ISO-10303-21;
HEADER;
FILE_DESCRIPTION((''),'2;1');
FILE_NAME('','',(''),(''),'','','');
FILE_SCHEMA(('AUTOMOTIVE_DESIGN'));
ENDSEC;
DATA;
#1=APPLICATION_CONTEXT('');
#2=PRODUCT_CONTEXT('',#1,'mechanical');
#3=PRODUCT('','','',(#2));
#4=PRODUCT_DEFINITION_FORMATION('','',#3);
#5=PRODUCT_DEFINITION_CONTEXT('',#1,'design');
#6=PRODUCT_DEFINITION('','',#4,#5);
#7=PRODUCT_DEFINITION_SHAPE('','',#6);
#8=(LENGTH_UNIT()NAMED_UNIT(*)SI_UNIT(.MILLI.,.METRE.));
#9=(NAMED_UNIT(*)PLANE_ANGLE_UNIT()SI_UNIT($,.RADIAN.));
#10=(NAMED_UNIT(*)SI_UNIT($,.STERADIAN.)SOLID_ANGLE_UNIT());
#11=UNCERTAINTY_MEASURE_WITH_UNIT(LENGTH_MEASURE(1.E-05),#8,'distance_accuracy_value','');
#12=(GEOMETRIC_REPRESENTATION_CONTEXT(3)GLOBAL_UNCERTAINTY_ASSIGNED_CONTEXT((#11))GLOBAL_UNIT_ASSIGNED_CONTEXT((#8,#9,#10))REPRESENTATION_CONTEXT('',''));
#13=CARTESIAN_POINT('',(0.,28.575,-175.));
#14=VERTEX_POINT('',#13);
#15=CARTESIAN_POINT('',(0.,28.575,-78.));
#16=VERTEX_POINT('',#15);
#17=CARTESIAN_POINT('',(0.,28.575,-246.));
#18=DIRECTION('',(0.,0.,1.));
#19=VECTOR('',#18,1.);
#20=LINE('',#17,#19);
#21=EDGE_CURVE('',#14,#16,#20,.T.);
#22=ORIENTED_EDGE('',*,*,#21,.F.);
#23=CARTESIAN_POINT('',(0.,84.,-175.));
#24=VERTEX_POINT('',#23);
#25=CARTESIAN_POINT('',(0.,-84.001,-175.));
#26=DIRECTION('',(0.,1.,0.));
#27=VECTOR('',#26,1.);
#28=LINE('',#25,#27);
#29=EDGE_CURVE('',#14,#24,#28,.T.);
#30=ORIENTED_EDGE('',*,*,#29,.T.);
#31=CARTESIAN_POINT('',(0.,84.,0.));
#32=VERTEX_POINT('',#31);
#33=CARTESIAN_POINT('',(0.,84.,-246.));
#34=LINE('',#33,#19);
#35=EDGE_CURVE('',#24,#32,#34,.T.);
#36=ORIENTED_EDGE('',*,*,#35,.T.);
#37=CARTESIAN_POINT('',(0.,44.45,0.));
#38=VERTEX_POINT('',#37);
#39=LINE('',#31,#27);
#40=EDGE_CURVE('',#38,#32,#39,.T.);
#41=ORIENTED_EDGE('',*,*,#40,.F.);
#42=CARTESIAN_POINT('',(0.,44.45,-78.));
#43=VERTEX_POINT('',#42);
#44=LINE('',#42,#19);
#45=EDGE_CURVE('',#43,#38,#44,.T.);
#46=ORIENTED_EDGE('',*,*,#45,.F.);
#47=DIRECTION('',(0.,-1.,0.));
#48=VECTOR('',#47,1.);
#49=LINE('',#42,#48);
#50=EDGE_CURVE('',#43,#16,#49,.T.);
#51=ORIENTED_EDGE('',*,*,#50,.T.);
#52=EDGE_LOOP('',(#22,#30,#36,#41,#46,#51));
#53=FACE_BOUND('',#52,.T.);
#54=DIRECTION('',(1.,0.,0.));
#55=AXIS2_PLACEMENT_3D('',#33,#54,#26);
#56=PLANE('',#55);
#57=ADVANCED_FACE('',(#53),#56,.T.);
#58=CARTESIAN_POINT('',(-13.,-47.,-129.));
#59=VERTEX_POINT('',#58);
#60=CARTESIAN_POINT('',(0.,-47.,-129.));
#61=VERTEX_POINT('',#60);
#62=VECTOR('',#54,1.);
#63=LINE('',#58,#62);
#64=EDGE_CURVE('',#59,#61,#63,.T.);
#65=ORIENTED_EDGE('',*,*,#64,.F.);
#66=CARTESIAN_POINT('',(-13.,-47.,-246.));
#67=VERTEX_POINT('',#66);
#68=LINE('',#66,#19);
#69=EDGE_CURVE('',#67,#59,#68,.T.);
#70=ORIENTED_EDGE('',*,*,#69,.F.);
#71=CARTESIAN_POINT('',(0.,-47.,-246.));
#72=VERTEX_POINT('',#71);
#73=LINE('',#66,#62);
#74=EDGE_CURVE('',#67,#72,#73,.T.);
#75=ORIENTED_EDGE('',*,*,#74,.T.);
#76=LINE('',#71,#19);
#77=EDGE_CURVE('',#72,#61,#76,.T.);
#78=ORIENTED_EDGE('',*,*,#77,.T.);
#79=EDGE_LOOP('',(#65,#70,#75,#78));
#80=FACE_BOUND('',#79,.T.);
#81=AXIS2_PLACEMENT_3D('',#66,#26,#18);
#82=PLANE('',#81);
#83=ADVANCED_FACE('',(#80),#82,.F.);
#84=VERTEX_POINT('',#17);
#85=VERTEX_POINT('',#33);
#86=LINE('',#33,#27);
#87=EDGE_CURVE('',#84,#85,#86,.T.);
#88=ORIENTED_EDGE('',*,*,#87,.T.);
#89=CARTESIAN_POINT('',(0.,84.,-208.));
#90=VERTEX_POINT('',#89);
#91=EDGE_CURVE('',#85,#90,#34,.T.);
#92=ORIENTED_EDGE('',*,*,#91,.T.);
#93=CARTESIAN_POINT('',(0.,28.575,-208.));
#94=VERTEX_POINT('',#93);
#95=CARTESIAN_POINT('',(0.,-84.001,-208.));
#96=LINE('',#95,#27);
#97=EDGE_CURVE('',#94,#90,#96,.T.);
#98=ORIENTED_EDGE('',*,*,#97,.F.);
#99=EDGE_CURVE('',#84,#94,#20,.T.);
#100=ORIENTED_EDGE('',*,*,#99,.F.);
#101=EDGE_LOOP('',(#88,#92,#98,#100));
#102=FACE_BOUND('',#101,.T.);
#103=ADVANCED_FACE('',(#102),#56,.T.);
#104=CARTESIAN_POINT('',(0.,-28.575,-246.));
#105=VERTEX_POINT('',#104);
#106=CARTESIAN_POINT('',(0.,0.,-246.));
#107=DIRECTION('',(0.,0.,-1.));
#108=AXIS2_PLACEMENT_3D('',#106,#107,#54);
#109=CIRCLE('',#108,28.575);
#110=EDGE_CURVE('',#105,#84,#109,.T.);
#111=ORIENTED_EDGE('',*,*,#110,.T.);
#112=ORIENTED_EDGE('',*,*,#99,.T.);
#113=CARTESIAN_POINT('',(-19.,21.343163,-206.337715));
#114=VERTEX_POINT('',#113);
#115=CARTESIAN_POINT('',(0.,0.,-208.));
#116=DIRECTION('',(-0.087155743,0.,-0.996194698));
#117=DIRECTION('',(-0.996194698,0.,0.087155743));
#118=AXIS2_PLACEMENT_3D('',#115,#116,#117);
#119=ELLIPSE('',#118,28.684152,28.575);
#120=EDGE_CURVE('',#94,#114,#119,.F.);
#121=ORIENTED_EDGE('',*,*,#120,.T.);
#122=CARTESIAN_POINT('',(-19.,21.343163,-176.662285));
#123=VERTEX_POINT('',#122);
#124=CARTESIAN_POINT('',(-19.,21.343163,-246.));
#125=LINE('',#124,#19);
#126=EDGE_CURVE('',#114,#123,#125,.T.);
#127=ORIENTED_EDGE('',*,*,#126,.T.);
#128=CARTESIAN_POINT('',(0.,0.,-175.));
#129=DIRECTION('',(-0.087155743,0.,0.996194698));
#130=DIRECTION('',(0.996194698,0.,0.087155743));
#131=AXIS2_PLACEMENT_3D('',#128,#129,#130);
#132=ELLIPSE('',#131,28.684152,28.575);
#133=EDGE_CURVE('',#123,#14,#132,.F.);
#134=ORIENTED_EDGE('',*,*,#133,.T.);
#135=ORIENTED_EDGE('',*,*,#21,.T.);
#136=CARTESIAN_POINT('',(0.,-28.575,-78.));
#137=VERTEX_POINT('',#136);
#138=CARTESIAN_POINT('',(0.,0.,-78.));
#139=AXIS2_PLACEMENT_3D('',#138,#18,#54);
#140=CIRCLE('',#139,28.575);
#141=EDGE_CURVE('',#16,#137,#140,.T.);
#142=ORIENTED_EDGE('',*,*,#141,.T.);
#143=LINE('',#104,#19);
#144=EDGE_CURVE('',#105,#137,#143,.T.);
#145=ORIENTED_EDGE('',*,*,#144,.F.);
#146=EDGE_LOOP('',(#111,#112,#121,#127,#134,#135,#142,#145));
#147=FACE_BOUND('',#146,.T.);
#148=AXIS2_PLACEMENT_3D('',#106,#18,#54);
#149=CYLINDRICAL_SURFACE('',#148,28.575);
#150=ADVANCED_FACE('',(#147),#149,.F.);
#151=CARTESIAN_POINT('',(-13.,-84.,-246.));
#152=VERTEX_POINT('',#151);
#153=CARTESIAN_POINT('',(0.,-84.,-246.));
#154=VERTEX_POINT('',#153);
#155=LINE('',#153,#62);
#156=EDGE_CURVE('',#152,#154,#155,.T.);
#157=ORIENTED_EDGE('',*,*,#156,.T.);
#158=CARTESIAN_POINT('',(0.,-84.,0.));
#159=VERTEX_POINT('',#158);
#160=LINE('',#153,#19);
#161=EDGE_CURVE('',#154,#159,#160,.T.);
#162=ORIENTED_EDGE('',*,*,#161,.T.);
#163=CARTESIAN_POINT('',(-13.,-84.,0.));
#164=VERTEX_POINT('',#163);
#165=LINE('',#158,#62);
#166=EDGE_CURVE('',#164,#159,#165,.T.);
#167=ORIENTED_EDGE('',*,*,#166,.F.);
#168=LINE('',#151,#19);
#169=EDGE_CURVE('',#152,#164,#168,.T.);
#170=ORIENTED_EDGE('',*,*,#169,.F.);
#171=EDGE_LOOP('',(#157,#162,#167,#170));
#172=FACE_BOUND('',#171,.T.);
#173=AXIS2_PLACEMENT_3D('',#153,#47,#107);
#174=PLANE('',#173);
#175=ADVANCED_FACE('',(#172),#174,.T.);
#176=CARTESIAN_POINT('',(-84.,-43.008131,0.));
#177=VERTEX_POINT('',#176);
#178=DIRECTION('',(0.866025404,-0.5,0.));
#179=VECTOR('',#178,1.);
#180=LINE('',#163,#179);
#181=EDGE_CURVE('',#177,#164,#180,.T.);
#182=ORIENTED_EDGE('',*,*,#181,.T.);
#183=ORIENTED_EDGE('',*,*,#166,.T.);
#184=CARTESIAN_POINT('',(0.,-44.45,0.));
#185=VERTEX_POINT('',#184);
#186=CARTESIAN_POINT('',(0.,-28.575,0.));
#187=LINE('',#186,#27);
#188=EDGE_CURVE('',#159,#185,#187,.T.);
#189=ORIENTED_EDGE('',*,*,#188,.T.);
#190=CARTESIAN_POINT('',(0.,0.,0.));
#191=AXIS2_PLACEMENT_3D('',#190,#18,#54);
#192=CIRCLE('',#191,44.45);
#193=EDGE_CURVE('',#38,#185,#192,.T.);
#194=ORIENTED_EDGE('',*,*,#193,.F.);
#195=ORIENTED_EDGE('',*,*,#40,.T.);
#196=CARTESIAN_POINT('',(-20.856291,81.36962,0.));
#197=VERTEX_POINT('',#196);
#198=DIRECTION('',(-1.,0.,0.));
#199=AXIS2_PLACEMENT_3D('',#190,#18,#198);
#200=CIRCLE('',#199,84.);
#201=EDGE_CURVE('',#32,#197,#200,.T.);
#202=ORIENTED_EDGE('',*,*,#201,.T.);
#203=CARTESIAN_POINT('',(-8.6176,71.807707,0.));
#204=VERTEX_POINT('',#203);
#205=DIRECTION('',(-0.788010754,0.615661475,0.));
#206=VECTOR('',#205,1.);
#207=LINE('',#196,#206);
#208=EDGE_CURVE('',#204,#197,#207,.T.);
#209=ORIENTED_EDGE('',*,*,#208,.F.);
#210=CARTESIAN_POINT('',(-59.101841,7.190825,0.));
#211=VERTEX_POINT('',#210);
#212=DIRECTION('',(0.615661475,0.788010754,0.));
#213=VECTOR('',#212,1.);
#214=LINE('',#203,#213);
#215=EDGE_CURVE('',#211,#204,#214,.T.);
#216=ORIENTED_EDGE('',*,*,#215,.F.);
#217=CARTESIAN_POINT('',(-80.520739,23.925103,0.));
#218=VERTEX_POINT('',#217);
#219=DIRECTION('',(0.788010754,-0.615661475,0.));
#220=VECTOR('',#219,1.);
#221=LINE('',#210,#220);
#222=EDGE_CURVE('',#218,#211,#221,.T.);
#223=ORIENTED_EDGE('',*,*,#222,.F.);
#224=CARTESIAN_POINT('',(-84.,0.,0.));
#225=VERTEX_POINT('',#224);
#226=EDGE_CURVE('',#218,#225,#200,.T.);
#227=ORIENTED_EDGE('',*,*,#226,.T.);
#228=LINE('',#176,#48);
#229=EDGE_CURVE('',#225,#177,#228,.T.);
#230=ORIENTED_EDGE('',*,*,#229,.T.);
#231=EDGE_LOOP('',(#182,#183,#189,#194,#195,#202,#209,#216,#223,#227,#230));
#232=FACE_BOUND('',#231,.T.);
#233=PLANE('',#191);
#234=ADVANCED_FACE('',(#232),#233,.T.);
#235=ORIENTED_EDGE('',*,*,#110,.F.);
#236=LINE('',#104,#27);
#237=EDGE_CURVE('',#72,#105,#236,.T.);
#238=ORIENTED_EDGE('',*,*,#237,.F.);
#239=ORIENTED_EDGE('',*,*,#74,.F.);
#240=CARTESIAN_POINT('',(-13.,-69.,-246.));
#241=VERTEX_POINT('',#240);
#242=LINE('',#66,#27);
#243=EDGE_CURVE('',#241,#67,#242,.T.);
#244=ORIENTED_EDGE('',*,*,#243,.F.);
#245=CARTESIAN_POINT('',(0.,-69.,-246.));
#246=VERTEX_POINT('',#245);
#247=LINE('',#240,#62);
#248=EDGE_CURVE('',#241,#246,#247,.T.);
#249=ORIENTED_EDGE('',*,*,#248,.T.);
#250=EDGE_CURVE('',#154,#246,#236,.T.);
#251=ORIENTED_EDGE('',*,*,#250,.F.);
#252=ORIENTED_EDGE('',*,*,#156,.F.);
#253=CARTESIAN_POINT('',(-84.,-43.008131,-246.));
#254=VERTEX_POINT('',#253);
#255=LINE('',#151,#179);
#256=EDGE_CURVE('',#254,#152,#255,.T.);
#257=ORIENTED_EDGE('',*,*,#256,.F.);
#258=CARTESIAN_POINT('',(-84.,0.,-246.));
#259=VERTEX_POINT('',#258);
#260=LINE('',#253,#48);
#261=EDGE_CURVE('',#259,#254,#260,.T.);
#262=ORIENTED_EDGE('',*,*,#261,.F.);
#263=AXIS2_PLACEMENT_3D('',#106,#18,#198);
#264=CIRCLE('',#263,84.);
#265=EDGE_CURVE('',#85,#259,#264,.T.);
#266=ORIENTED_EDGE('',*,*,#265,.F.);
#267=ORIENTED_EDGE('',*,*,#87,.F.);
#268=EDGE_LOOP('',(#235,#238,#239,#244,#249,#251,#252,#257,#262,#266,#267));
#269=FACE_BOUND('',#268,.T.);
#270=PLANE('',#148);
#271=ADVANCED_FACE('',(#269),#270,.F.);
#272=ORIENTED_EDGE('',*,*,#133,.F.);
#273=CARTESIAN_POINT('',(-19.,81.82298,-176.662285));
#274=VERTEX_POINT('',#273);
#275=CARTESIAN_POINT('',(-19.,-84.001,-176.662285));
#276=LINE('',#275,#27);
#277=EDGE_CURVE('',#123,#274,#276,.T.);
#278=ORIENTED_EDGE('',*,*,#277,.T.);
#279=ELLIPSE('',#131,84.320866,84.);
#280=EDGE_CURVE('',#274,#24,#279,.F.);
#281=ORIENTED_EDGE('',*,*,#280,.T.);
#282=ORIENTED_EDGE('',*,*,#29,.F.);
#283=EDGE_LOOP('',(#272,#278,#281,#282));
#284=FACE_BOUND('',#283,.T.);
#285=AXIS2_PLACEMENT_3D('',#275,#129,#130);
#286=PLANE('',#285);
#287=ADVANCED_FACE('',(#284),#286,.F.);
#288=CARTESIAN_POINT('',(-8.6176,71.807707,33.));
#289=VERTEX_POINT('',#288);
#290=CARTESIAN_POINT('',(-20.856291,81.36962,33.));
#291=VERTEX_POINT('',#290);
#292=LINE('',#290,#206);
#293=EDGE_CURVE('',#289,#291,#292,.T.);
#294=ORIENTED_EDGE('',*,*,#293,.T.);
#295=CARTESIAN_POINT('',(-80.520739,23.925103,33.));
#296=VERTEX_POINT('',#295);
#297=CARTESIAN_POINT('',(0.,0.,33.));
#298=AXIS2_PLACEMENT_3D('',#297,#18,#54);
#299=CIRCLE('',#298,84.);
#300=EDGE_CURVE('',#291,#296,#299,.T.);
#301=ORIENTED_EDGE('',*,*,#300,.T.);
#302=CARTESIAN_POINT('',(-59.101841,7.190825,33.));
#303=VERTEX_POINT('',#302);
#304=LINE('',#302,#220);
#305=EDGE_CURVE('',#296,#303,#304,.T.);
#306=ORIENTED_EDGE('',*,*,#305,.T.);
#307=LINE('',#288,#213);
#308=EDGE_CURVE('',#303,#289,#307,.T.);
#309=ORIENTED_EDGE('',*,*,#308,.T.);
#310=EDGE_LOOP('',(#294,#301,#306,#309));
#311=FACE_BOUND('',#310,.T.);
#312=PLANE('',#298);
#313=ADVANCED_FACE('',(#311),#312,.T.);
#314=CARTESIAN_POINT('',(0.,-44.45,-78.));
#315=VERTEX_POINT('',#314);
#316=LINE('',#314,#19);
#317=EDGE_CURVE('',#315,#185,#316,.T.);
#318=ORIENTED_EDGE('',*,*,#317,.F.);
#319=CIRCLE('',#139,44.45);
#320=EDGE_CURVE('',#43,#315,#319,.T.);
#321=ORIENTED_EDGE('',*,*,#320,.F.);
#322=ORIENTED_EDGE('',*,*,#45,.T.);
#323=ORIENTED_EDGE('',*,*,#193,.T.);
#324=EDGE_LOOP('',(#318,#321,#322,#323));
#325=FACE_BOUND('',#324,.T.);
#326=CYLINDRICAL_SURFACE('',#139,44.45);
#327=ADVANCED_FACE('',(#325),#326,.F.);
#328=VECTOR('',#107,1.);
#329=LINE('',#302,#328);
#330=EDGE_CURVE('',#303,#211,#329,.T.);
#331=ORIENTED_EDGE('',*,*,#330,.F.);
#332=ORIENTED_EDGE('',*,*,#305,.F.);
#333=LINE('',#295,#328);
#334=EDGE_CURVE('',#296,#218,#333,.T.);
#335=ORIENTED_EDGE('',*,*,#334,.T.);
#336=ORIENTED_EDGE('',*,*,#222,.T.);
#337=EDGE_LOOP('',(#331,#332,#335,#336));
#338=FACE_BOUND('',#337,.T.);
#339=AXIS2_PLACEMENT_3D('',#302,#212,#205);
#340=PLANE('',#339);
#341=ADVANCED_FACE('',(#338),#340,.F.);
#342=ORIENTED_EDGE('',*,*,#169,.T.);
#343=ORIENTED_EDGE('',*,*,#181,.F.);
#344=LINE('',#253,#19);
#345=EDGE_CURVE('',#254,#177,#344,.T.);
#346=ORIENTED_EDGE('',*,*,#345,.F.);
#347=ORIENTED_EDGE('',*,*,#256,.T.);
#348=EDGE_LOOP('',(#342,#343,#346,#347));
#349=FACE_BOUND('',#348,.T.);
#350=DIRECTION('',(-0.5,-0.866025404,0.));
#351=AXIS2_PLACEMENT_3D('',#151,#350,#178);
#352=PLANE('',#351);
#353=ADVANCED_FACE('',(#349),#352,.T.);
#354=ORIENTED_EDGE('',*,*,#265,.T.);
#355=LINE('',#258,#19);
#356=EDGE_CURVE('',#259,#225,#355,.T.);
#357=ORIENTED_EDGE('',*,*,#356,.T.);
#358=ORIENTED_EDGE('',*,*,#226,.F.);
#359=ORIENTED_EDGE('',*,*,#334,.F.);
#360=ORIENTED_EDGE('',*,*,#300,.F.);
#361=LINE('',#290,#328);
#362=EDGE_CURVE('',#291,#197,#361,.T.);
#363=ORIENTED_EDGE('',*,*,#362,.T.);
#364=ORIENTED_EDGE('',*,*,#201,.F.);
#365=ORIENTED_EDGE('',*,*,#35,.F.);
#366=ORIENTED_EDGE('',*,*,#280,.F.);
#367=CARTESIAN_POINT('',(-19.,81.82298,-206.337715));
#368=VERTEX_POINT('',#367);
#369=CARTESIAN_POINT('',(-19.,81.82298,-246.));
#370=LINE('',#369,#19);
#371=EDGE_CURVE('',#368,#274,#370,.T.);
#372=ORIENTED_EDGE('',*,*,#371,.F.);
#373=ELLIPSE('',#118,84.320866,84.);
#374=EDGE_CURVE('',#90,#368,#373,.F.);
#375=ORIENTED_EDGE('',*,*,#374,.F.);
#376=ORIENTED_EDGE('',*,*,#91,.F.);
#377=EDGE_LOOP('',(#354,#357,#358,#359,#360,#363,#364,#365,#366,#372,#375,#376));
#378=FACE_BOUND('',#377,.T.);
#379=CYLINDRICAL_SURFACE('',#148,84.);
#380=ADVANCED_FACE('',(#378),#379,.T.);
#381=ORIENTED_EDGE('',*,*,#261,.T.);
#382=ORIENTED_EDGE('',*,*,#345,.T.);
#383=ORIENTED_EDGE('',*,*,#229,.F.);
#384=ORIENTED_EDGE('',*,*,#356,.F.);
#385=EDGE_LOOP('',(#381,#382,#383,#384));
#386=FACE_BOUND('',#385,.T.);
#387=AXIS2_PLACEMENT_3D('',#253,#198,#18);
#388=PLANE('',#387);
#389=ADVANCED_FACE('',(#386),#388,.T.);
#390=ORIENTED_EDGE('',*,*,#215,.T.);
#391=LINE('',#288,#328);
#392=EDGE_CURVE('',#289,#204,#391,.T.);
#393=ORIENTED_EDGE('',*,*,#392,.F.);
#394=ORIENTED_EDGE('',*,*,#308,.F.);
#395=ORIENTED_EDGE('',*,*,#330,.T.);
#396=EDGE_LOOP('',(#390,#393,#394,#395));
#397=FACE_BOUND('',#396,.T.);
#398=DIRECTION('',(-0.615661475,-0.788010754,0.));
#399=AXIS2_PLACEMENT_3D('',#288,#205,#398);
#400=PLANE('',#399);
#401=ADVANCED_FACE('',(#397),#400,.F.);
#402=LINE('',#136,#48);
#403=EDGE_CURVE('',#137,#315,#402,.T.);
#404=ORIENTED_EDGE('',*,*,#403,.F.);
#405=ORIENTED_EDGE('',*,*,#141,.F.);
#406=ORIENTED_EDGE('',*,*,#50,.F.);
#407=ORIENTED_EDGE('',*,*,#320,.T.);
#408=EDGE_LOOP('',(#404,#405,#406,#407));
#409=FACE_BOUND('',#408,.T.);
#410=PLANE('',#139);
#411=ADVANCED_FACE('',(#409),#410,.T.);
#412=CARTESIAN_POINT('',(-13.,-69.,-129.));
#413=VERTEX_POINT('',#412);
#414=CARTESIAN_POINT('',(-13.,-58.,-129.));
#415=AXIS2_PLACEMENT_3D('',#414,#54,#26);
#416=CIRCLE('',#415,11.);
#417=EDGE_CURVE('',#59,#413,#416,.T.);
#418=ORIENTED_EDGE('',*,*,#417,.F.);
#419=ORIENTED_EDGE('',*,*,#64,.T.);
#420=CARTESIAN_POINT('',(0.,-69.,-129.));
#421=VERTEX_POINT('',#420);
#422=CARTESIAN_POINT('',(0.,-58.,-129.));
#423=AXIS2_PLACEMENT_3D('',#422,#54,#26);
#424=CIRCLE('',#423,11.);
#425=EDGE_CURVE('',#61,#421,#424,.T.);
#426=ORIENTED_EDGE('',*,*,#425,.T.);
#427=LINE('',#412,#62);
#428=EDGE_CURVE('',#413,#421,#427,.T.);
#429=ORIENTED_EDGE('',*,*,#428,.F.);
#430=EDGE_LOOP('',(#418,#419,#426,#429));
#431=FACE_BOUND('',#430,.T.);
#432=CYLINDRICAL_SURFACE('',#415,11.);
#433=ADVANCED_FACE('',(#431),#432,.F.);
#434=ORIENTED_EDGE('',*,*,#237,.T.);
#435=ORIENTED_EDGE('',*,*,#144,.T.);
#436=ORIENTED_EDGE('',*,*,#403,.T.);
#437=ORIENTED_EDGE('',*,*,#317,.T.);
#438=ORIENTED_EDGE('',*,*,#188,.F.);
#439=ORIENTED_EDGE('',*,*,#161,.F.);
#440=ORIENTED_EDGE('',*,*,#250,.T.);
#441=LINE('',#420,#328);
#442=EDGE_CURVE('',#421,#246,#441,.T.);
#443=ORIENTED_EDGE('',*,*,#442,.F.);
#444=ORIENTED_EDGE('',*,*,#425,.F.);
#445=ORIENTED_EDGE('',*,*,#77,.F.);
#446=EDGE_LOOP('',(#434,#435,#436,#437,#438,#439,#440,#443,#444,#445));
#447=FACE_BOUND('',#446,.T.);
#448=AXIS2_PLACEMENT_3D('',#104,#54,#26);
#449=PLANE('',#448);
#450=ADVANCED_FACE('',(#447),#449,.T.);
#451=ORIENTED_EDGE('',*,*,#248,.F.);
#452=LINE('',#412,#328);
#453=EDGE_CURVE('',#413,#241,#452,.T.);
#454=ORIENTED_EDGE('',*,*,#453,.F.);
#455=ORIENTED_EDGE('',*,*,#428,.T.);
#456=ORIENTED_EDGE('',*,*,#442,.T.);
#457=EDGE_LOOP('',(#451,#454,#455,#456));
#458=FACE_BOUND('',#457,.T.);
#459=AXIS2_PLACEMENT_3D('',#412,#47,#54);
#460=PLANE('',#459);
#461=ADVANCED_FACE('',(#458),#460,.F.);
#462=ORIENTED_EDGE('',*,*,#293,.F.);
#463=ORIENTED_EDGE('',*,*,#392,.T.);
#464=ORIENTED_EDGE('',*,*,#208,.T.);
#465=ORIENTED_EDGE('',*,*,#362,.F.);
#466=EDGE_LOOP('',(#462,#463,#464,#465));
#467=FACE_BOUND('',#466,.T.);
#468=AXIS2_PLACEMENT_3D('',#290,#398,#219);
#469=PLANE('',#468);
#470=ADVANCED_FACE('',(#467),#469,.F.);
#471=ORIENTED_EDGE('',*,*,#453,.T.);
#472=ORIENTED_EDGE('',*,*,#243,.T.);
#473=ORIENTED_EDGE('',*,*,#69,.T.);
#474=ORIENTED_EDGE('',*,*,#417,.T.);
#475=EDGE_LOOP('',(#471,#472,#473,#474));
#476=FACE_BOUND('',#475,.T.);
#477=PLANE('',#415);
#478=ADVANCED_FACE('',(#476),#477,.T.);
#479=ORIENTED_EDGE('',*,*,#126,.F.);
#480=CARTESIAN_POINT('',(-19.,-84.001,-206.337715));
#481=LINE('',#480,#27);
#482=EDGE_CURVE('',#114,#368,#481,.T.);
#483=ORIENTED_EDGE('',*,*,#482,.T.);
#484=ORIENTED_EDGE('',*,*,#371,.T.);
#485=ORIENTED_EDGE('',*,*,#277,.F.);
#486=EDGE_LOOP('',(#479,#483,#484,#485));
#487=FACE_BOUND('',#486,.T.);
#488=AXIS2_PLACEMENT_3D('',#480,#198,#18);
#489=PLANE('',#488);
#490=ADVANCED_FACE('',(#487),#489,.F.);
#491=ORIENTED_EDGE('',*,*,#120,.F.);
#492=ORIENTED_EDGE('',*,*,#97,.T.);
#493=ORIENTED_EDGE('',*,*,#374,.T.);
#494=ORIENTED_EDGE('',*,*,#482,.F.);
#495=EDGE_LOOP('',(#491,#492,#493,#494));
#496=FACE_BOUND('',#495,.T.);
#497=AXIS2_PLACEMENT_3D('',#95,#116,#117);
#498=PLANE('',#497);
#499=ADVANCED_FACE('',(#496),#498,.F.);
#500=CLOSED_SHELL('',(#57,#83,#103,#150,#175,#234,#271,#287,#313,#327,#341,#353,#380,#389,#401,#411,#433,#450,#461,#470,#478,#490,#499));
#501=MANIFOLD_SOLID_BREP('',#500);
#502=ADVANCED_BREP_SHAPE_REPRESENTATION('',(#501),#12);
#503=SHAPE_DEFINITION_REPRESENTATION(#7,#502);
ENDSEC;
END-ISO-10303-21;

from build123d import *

# Parameters (mm, degrees)
BOSS_EXTRUDE1_DEPTH     = 246
CUT_EXTRUDE1_DEPTH      = 78
BOSS_EXTRUDE2_START     = 33
BOSS_EXTRUDE2_DEPTH     = 33
CUT_EXTRUDE4_DEPTH      = 13
CUT_EXTRUDE5_REACH      = 314.807
CUT_EXTRUDE5_END_RADIUS = 28.575


with BuildPart() as part:
    # Sketch2 → Boss-Extrude1 (new body)
    with BuildSketch(Plane.XY):
        with BuildLine():
            Line((0, -28.575), (0, -84))
            Line((0, -84), (-13, -84))
            Line((-13, -84), (-84, -43.008130888))
            Line((-84, -43.008130888), (-84, 0))
            ThreePointArc((-84, 0), (-59.39696962, 59.39696962), (0, 84))
            Line((0, 84), (0, 28.575))
            ThreePointArc((0, 28.575), (-28.575, 0), (0, -28.575))
        make_face()
    extrude(amount=-BOSS_EXTRUDE1_DEPTH)

    # Sketch3 → Cut-Extrude1 (cut)
    with BuildSketch(Plane.XY):
        with BuildLine():
            Line((0, 44.45), (0, 28.575))
            ThreePointArc((0, 28.575), (-28.575, 0), (0, -28.575))
            Line((0, -28.575), (0, -44.45))
            ThreePointArc((0, -44.45), (-44.45, 0), (0, 44.45))
        make_face()
    extrude(amount=-CUT_EXTRUDE1_DEPTH, mode=Mode.SUBTRACT)

    # Sketch4 → Boss-Extrude2 (add)
    with BuildSketch(Plane.XY.offset(BOSS_EXTRUDE2_START)):
        with BuildLine():
            Line((-20.856290899, 81.369620436), (-8.61759969, 71.807706907))
            Line((-8.61759969, 71.807706907), (-59.101840666, 7.190825111))
            Line((-59.101840666, 7.190825111), (-80.520739305, 23.925102753))
            ThreePointArc((-80.520739305, 23.925102753), (-58.260567421, 60.512034206), (-20.856290899, 81.369620436))
        make_face()
    extrude(amount=-BOSS_EXTRUDE2_DEPTH)

    # Sketch8 → Cut-Extrude4 (cut)
    with BuildSketch(Plane(origin=(0, 0, 0), x_dir=(0, 0, -1), z_dir=(1, 0, 0))):
        with BuildLine():
            Line((246, -47), (129, -47))
            ThreePointArc((129, -47), (118, -58), (129, -69))
            Line((129, -69), (246, -69))
            Line((246, -69), (246, -47))
        make_face()
    extrude(amount=-CUT_EXTRUDE4_DEPTH, mode=Mode.SUBTRACT)

    # Cut-Extrude5: up to this cylinder (the profile starts outside it)
    cut_extrude5_end = Plane(origin=(0, 0, -191.5), z_dir=(0, 0, 1)) * Cylinder(CUT_EXTRUDE5_END_RADIUS, 687.764, mode=Mode.PRIVATE)
    # Sketch9 → Cut-Extrude5 (cut, up to the surface)
    with BuildSketch(Plane(origin=(0, 90, 0), x_dir=(1, 0, 0), z_dir=(0, 1, 0)), mode=Mode.PRIVATE) as cut_extrude5_sk1:
        Polygon((0, 175), (0, 208), (-19, 206.337715393), (-19, 176.662284607), align=None)
    cut_extrude5_tool1 = extrude(cut_extrude5_sk1.sketch, amount=-CUT_EXTRUDE5_REACH, mode=Mode.PRIVATE) - cut_extrude5_end
    add(cut_extrude5_tool1.solids().sort_by_distance((-9.332027, 90, -191.5))[0], mode=Mode.SUBTRACT)


solid = part.part
